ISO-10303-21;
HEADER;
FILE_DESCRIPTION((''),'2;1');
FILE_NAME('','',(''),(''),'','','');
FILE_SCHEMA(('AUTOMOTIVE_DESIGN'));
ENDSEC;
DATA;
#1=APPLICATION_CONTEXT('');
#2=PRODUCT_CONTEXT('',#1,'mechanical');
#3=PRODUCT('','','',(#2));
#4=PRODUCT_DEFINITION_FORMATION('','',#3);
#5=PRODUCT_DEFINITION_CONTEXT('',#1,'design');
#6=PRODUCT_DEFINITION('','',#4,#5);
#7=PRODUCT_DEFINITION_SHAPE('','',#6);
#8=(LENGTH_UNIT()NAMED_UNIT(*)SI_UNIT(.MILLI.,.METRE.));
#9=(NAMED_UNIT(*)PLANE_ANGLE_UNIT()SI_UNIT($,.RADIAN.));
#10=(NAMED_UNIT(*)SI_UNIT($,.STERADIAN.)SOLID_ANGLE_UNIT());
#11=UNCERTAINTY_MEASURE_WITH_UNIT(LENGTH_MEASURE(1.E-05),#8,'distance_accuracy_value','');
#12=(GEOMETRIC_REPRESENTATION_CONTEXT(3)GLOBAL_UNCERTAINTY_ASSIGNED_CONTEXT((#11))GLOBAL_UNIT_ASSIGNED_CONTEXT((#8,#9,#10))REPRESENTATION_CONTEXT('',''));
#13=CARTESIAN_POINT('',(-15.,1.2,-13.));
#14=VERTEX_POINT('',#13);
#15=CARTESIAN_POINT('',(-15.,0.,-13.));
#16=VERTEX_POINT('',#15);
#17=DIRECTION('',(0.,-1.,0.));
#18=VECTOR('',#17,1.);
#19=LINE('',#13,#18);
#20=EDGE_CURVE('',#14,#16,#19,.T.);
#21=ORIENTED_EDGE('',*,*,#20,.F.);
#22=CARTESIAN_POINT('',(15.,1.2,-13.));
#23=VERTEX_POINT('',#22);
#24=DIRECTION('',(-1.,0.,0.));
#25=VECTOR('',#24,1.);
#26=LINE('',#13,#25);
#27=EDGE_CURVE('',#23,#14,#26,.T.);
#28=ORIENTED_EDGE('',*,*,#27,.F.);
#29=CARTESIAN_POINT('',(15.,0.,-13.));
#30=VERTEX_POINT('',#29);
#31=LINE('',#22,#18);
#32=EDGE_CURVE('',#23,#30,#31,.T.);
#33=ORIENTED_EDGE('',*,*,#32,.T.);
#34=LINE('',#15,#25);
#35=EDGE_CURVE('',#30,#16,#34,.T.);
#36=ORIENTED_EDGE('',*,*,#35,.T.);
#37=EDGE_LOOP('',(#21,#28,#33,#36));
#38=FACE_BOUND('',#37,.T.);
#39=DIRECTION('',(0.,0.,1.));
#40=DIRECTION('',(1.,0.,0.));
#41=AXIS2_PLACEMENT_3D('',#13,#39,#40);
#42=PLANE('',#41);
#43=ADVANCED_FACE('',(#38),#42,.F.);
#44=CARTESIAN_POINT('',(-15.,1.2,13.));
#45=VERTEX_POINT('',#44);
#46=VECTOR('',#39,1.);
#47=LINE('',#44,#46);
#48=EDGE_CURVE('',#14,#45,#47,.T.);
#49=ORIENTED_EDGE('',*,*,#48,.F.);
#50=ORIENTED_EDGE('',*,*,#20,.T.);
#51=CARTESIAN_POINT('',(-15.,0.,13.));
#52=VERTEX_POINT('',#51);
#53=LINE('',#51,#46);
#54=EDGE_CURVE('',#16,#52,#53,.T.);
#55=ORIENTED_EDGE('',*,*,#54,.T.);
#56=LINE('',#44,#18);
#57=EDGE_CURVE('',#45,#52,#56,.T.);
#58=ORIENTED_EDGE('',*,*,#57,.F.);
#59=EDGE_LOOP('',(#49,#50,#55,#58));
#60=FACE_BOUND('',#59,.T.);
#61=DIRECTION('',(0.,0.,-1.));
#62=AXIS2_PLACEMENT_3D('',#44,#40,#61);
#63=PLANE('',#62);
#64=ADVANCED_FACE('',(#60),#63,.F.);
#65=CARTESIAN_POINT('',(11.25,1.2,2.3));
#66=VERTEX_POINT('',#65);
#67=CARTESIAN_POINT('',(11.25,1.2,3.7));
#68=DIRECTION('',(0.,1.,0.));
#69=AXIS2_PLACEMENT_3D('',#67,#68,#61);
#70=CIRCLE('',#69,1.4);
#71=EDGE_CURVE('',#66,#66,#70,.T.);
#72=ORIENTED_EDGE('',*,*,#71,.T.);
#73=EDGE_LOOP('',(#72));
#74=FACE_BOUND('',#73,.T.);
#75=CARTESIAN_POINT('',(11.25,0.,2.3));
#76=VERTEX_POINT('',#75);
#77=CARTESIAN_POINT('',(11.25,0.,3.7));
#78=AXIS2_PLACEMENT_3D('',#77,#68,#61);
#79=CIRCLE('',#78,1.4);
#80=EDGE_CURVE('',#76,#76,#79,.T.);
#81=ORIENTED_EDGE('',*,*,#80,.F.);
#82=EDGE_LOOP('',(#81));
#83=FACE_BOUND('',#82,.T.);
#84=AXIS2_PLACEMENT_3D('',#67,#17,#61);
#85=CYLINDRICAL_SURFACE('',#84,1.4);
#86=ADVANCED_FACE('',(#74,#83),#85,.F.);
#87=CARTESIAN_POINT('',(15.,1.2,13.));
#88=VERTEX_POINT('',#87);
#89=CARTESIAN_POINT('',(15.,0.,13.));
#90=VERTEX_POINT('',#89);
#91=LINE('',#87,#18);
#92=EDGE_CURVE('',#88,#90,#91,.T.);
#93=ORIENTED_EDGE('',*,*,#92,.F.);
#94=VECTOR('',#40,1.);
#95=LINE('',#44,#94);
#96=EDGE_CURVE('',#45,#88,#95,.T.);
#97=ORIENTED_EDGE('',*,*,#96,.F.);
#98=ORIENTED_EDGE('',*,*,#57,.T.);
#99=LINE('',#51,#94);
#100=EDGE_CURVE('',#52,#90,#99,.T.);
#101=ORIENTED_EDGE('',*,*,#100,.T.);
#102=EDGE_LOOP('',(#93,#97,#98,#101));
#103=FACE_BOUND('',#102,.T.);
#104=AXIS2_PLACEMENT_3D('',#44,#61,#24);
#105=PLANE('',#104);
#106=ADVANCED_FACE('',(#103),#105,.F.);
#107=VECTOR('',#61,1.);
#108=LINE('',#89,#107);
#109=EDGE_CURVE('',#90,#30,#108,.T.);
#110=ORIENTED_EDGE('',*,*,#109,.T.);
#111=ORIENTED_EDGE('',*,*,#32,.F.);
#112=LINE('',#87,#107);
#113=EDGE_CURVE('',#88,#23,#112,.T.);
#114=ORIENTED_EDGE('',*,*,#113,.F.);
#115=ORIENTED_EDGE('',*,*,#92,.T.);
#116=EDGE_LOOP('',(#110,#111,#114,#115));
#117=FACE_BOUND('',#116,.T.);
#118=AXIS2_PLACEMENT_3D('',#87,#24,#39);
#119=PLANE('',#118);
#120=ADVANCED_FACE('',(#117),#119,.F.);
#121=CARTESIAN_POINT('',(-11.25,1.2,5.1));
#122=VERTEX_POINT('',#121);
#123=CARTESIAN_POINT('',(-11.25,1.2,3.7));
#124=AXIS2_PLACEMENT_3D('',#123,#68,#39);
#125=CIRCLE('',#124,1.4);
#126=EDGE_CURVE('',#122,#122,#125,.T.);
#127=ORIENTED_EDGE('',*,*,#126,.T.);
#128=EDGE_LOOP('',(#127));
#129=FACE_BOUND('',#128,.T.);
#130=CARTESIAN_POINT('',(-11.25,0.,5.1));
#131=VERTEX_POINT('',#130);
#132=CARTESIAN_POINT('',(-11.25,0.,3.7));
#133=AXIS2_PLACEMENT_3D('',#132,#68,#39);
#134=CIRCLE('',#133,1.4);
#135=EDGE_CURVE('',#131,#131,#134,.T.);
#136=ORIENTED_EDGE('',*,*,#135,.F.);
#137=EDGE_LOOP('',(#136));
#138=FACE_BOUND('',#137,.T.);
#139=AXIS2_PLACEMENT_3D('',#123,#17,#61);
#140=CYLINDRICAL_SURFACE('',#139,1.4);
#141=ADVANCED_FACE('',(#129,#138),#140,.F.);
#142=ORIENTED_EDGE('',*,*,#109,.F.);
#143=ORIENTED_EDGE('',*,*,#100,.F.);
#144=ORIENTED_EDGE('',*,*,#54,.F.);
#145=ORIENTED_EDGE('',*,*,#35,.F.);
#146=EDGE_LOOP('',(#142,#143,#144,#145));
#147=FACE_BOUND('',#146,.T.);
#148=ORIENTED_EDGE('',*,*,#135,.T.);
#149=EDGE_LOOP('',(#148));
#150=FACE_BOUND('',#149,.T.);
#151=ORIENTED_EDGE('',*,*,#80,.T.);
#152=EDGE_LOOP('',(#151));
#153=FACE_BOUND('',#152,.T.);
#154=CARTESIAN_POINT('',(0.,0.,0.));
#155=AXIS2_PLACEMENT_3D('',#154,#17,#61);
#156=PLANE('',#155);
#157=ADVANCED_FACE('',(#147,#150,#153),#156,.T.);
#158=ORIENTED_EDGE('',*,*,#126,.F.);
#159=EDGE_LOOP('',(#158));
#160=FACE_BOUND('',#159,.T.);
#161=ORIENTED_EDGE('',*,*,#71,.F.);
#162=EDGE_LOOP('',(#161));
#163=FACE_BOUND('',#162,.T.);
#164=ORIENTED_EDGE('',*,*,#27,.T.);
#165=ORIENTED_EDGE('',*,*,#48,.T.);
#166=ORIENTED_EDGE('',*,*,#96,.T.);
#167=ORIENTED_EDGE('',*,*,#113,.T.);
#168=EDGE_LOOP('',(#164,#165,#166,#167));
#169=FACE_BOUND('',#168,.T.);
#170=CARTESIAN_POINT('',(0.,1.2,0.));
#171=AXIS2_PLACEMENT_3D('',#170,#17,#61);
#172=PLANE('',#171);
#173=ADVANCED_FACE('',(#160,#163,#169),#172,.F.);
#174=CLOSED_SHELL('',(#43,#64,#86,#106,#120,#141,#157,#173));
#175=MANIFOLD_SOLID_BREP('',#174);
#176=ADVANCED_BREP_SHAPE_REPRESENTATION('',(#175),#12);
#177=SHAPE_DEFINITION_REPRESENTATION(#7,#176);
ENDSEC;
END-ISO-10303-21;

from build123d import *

# Parameters (mm, degrees)
SKETCH_1_W      = 30
SKETCH_1_H      = 26
SKETCH_1_R      = 1.4
EXTRUDE_1_DEPTH = 1.2


with BuildPart() as part:
    # 草图1 → 凸台-拉伸1 (new body)
    with BuildSketch(Plane(origin=(0, 0, 0), x_dir=(1, 0, 0), z_dir=(0, 1, 0))):
        Rectangle(SKETCH_1_W, SKETCH_1_H)
        with Locations(Location((-11.25, -3.7, 0), (0, 0, 270))):
            Circle(SKETCH_1_R, mode=Mode.SUBTRACT)
        with Locations(Location((11.25, -3.7, 0), (0, 0, 90))):
            Circle(SKETCH_1_R, mode=Mode.SUBTRACT)
    extrude(amount=EXTRUDE_1_DEPTH)


solid = part.part
